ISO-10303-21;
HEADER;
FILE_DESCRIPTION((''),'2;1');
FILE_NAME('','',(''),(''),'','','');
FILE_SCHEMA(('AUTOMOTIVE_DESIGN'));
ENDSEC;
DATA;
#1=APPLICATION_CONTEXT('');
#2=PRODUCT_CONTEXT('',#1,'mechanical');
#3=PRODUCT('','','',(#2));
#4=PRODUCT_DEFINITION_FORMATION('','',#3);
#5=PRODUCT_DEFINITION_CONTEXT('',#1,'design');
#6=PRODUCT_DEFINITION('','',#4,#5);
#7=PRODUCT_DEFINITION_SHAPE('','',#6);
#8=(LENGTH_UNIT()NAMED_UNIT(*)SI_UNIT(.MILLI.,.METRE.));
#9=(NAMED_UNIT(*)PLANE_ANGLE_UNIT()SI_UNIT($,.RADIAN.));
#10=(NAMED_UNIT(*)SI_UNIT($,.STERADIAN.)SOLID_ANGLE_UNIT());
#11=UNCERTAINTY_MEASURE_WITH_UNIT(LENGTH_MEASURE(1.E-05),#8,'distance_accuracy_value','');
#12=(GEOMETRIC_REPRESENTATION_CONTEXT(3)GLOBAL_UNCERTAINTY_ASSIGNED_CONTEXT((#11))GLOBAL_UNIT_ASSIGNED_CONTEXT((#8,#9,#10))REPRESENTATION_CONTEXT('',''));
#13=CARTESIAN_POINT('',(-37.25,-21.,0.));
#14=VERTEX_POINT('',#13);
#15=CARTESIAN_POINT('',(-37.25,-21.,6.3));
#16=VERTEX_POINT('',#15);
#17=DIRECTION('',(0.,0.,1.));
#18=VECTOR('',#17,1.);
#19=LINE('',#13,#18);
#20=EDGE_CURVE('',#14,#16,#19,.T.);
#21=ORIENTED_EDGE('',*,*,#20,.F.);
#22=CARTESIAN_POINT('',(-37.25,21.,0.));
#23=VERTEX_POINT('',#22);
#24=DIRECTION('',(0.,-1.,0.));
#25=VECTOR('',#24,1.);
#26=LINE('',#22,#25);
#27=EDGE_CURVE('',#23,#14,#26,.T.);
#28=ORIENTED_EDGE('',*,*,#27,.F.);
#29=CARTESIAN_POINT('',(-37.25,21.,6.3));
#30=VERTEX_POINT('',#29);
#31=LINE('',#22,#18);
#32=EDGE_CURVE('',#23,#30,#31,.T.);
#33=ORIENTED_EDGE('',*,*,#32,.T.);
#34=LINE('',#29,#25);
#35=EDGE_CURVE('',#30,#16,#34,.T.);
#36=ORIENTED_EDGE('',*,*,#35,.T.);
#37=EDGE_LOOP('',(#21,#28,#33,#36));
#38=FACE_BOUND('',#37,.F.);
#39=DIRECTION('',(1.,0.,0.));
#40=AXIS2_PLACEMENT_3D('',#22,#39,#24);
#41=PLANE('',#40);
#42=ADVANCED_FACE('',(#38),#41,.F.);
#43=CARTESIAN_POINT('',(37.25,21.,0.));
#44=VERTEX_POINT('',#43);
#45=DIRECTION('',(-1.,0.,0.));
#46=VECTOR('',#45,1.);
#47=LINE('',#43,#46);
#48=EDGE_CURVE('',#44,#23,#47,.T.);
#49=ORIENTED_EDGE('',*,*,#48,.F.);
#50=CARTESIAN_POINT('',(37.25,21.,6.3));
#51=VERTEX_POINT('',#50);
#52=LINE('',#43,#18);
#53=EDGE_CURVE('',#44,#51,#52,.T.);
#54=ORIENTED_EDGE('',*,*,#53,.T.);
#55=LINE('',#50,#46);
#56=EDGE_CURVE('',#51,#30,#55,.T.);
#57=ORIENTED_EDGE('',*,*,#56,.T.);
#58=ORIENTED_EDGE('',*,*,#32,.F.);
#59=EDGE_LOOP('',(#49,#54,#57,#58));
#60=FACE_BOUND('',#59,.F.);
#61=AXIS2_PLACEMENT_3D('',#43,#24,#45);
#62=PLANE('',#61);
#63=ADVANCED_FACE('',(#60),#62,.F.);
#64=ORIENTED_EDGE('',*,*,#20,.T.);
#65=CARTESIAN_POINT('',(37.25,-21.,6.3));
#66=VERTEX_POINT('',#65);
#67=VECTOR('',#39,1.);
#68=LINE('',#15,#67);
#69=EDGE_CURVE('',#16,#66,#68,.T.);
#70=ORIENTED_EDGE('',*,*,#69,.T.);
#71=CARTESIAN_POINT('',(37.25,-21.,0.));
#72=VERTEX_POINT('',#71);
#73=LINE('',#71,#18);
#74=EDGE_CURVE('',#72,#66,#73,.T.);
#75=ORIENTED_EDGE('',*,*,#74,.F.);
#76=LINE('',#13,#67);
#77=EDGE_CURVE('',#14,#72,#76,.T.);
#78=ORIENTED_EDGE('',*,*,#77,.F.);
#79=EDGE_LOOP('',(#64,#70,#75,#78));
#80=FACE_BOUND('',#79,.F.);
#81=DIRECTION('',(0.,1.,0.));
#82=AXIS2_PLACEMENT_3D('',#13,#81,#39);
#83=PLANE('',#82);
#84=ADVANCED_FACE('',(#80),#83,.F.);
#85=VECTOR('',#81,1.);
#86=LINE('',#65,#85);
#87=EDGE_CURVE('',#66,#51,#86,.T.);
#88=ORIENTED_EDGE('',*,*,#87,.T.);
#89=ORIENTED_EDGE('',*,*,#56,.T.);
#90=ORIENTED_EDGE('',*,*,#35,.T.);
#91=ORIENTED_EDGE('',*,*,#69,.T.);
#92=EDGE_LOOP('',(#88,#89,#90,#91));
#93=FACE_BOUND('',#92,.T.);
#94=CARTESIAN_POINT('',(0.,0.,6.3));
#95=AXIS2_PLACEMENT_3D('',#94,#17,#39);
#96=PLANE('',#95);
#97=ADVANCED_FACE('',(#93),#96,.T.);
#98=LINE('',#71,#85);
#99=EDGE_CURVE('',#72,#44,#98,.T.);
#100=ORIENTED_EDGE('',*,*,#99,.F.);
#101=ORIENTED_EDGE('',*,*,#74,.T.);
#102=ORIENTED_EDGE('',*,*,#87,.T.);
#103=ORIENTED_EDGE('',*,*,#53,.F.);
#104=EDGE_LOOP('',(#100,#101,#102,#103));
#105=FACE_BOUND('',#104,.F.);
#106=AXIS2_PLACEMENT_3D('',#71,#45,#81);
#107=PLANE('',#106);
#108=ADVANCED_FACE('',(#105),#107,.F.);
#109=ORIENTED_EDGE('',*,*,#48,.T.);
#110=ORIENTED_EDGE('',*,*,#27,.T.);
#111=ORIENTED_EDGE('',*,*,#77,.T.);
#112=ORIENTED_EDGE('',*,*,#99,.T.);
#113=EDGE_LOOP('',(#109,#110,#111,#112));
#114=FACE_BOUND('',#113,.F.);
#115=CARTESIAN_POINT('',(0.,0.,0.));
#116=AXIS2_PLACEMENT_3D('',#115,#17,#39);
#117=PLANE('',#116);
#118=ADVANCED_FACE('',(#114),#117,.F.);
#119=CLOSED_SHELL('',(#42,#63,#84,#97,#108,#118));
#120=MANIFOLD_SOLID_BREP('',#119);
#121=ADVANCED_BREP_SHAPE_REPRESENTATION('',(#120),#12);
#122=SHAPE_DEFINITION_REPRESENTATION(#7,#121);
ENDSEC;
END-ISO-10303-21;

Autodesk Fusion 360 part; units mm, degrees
sketch "Sketch1" plane through (0, 0, 0) normal (0, 0, 1) x (1, 0, 0)
  line L0 (37.25, 21) -> (-37.25, 21)
  line L1 (-37.25, 21) -> (-37.25, -21)
  line L2 (-37.25, -21) -> (37.25, -21)
  line L3 (37.25, -21) -> (37.25, 21)
  line L4 (37.25, 21) -> (-37.25, -21) construction
  line L5 (-37.25, 21) -> (37.25, -21) construction
  dimension "d1" = 74.5
  dimension "d2" = 42
extrude "Extrude1" add sketch "Sketch1" along normal blind 6.3
